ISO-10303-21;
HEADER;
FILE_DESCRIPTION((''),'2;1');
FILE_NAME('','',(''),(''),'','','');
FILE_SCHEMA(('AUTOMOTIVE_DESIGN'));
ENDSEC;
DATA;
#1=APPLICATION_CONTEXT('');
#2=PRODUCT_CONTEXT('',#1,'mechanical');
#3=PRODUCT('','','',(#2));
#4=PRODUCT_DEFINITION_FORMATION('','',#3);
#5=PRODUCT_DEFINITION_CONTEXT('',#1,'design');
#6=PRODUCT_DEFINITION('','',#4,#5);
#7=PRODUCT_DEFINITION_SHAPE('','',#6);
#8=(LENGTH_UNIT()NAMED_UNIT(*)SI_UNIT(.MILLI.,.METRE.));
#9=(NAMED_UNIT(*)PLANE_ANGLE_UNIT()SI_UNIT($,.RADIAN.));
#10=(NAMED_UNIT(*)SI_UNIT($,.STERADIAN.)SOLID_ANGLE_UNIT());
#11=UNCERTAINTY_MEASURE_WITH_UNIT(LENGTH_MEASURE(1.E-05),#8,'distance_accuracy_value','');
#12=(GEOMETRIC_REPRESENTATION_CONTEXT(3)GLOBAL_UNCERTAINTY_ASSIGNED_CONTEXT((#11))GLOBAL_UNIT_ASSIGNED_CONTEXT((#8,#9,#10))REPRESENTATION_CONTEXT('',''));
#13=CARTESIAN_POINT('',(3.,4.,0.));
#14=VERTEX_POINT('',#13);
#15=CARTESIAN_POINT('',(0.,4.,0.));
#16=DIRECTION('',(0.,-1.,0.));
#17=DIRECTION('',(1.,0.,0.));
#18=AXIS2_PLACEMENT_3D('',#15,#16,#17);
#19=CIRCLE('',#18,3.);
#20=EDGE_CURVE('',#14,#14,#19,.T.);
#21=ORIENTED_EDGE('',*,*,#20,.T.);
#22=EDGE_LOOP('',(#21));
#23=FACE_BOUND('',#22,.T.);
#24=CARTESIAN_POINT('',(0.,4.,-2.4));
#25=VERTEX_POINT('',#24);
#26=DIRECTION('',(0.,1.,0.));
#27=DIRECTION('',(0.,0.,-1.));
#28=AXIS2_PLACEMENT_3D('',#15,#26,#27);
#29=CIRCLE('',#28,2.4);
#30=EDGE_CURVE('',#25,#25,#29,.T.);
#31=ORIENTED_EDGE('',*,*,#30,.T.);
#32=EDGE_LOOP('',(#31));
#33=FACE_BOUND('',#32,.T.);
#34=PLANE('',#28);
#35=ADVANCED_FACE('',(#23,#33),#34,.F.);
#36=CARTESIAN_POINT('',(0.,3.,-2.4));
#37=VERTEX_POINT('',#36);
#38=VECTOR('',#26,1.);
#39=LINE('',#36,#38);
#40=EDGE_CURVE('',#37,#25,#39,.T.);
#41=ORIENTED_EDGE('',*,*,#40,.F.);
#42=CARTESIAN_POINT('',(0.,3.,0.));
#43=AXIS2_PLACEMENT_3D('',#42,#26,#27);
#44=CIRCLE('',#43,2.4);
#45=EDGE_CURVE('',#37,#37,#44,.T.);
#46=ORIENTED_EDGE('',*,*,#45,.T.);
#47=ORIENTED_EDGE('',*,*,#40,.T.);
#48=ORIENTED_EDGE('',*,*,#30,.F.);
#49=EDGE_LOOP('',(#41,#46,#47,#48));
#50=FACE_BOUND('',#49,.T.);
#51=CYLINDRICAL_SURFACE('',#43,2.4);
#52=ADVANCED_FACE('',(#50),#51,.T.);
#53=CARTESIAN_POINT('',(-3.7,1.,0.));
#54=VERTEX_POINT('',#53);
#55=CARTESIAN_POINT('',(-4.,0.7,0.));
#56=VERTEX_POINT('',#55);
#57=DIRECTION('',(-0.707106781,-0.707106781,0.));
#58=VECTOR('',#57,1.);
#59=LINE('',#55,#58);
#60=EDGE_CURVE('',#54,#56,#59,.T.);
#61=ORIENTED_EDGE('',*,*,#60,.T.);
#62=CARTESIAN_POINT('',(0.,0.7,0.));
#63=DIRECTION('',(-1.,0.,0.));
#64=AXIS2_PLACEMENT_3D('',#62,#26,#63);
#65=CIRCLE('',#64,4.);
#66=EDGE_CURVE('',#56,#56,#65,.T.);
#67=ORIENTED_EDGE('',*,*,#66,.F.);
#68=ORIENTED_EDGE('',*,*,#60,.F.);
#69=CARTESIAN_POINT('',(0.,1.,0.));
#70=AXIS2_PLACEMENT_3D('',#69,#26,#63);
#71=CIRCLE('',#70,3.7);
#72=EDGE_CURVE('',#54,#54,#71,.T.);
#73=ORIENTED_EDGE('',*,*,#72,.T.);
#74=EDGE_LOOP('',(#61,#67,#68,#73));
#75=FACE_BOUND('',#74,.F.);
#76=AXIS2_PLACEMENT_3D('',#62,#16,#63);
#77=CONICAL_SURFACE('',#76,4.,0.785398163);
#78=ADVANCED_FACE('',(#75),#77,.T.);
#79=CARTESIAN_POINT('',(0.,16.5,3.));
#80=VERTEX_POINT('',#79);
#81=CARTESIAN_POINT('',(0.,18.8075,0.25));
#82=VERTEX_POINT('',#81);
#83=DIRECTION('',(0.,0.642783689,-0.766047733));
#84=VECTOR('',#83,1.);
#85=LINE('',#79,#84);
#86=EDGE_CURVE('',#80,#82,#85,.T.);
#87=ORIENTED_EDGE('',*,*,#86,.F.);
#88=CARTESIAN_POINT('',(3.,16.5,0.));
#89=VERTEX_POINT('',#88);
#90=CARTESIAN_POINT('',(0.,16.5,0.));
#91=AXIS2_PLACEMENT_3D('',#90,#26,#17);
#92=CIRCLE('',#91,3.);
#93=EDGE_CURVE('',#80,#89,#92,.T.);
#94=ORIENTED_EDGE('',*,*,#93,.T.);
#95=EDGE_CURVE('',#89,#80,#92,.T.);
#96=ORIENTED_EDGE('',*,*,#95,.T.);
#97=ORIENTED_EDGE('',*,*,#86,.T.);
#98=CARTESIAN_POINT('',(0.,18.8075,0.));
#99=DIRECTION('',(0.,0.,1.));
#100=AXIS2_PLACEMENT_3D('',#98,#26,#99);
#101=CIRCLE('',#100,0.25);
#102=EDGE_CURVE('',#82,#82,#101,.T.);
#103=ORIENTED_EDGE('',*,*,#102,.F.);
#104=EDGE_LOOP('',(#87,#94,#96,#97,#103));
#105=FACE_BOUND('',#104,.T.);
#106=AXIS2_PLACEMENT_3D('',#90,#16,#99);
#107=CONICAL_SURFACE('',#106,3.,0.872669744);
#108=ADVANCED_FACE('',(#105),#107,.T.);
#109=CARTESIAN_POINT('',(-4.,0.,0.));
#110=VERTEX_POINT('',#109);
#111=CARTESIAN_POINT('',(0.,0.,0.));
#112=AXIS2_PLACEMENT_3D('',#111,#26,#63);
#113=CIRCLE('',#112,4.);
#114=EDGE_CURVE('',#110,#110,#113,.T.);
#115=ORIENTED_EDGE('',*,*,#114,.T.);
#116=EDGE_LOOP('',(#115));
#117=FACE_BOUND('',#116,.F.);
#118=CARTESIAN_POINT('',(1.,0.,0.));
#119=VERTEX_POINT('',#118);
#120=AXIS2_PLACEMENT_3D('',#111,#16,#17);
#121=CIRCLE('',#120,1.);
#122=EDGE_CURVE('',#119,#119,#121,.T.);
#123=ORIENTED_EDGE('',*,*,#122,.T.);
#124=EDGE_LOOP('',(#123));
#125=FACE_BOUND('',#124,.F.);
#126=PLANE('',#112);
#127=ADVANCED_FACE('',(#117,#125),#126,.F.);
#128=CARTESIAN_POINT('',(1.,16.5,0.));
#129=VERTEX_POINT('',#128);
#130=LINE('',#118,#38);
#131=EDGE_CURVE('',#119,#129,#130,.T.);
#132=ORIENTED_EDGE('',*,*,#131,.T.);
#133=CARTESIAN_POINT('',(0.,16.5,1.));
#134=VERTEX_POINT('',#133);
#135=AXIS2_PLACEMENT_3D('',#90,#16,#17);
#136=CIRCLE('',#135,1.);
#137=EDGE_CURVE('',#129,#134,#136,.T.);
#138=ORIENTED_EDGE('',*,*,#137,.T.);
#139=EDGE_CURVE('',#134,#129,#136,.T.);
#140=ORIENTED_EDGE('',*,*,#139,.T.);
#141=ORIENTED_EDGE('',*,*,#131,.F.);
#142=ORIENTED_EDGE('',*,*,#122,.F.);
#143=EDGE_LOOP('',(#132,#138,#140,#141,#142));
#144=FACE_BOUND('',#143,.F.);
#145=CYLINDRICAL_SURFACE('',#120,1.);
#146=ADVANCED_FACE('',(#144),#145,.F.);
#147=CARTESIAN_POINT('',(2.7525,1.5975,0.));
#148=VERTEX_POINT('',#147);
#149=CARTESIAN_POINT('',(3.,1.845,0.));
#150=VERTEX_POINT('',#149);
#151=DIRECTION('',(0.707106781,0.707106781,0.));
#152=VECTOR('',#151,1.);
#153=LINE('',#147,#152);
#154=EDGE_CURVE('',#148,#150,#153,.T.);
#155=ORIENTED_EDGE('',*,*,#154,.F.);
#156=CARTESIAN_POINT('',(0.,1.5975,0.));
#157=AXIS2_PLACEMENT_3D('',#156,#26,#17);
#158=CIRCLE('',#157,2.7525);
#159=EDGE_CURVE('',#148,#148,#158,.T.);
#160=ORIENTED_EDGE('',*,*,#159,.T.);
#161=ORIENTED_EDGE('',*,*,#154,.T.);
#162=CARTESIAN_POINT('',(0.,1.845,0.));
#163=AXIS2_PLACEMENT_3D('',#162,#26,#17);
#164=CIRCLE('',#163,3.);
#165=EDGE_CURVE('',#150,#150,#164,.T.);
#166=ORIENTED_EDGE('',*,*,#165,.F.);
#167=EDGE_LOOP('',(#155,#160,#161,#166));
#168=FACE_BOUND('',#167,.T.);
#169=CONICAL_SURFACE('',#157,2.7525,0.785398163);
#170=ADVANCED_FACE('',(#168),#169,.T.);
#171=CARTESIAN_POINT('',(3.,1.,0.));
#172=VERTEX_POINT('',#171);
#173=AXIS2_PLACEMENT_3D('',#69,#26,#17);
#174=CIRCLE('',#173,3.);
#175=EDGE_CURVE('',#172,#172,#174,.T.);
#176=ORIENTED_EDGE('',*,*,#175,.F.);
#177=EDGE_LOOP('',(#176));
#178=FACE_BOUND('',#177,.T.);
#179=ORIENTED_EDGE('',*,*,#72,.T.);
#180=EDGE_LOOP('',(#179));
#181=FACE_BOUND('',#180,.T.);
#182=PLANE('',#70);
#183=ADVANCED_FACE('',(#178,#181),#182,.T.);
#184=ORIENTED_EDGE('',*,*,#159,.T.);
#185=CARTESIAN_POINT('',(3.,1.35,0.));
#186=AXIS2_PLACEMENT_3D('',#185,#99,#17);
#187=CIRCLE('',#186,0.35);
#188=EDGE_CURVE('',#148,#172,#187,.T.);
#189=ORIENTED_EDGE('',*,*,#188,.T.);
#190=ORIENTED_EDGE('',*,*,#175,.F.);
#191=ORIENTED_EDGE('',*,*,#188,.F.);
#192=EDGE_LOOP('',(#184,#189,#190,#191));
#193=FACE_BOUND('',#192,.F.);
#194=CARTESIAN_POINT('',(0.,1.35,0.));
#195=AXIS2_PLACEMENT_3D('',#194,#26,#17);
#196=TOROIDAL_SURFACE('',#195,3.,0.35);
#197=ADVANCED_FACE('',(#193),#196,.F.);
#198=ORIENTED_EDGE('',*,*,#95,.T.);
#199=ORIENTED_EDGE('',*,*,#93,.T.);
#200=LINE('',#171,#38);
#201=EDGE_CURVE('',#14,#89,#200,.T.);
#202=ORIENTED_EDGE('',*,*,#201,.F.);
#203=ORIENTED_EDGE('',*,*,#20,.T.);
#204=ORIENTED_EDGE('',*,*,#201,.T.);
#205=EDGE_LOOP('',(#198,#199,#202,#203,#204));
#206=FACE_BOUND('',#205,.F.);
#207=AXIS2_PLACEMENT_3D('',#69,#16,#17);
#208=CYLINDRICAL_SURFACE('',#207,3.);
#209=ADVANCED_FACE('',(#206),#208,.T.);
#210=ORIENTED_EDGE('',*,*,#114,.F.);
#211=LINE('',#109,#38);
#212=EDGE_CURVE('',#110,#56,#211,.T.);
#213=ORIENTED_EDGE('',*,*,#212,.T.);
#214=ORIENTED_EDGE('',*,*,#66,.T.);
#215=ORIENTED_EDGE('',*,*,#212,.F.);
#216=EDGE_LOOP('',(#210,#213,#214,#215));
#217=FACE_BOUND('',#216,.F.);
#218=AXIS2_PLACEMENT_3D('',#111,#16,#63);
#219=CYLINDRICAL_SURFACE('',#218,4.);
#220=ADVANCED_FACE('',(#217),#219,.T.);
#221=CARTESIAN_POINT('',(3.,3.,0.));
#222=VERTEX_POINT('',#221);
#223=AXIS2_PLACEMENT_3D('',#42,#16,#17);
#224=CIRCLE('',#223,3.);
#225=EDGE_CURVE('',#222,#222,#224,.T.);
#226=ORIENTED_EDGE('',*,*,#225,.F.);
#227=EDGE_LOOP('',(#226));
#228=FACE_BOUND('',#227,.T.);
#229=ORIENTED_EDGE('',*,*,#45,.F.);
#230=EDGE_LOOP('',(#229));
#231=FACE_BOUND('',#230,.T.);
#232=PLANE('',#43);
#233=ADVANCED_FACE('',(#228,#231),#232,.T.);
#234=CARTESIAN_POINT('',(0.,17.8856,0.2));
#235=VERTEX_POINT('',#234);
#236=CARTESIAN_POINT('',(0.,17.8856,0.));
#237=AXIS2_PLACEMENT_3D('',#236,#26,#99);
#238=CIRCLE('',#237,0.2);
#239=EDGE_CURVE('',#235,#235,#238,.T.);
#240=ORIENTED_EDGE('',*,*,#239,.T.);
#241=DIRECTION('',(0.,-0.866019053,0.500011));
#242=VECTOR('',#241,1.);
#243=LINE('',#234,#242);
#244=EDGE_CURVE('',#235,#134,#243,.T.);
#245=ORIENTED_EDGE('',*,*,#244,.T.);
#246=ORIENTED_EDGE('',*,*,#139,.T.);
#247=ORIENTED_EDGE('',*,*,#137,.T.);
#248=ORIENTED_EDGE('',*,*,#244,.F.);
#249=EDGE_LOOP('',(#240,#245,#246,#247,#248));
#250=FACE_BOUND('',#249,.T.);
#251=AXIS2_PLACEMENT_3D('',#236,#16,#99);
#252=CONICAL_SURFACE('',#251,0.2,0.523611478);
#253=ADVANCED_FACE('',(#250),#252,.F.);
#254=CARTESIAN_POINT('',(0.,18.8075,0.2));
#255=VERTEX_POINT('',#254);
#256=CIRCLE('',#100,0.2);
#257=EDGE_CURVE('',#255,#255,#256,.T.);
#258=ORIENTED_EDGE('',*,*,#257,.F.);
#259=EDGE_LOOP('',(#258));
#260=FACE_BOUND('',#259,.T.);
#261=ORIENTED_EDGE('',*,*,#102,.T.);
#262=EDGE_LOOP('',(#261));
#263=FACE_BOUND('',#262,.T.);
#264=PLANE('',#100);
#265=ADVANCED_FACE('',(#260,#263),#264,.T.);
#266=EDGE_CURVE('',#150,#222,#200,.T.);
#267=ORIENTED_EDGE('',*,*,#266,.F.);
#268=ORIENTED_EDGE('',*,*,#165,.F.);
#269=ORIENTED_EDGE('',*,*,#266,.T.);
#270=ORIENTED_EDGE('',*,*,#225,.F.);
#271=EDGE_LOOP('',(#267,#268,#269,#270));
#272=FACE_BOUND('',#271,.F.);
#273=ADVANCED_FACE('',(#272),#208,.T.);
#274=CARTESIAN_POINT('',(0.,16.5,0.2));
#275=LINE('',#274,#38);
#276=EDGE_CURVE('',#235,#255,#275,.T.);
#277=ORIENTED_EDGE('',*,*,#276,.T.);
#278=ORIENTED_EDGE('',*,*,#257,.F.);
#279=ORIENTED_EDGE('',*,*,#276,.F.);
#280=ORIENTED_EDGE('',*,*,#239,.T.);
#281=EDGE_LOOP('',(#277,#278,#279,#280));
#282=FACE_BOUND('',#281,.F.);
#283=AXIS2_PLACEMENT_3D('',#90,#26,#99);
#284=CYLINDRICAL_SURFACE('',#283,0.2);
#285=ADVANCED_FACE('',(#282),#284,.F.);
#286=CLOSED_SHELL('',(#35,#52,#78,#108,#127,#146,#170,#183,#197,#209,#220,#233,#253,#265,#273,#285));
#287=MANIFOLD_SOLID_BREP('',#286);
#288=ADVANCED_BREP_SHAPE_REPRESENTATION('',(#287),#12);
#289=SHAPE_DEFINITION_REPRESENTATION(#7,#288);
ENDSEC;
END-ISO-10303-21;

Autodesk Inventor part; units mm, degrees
ref_plane "XZ Plane" through (0, 0, 0) normal (0, 1, 0) x (-1, 0, 0)
sketch "Sketch1" plane through (0, 0, 0) normal (0, 1, 0) x (-1, 0, 0)
  circle A0 centre (0, 0) radius 4
  dimension "d0" = 8
extrude "Extrusion1" add sketch "Sketch1" along normal blind 1
sketch "Sketch2" plane through (0, 1, 0) normal (0, 1, 0) x (1, 0, 0)
  circle A0 centre (0, 0) radius 4 projected
  circle A1 centre (0, 0) radius 3
  dimension "d3" = 6
extrude "Extrusion2" add sketch "Sketch2" along normal blind 15.5 contours A1
sketch "Sketch3" plane through (0, 0, 0) normal (0, -1, 0) x (1, 0, 0)
  circle A0 centre (0, 0) radius 4 projected
  circle A1 centre (0, 0) radius 1
  dimension "d6" = 2
extrude "Extrusion3" cut sketch "Sketch3" against normal blind 21 contours A1
sketch "Sketch4" plane through (0, 0, 0) normal (1, 0, 0) x (0, 1, 0)
  line L0 (1, 3) -> (16.5, 3) projected
  line L1 (1, -3) -> (16.5, -3) projected
  line L2 (0, 0) -> (17, 0)
  line L3 (16.5, 3) -> (18.8075, 0.25)
  line L4 (16.5, -3) -> (16.5, 3) projected
  line L5 (16.5, 0.2) -> (18.8075, 0.2)
  line L6 (17.8856, 0.2) -> (16.5, 1)
  line L7 (0, 1) -> (16.5, 1) projected
  line L8 (16.5, 1) -> (16.5, 3)
  line L9 (18.8075, 0.25) -> (18.8075, 0.2)
  dimension "d9" = 40
  dimension "d10" = 0.2
  dimension "d11" = 30
  dimension "d20" = 0.05
revolve "Revolution1" add sketch "Sketch4" angle 360 about axis through (0, 0, 0) along (0, 1, 0) contours L3 L9 L5 L6 L4
sketch "Sketch5" plane through (0, 0, 0) normal (0, 0, 1) x (1, 0, 0)
  circle A0 centre (3, 1.35) radius 0.35
  line L0 (4, 1) -> (-4, 1) projected
  line L1 (3, 3) -> (3, 0)
  line L2 (0, 1.1204) -> (0, 3)
  line L3 (2.7525, 1.5975) -> (3.3734, 2.2184)
  line L4 (3.3734, 2.2184) -> (3.3499, 1.3406)
  point P0 (0, 0)
  dimension "d14" = 0.7
  dimension "d19" = 45
revolve "Revolution2" cut sketch "Sketch5" angle 360 about axis through (0, 1.1204, 0) along (0, 1, 0)
chamfer "Chamfer1" distance 0.3 angle 45 1 edges at (4, 1, 0)
sketch "Sketch6" plane through (0, 0, 0) normal (1, 0, 0) x (0, 1, 0)
  line L0 (1.845, -3) -> (16.5, -3) projected
  line L1 (4, -3) -> (3, -3)
  line L2 (3, -3) -> (3, -2.4)
  line L3 (3, -2.4) -> (4, -2.4)
  line L4 (4, -2.4) -> (4, -3)
  line L5 (3, 3.882) -> (3, -15) projected
  line L6 (1.845, -3) -> (16.5, -3) projected
  circle A0 centre (-0.2, 0) radius 6.5 projected
  line L7 (0, 0) -> (0.8989, 0)
  dimension "d21" = 1
  dimension "d22" = 0.6
revolve "Revolution3" cut sketch "Sketch6" angle 360 about axis through (0, 0, 0) along (0, 1, 0) contours L2 L3 L4 L0
properties material "Copper"
